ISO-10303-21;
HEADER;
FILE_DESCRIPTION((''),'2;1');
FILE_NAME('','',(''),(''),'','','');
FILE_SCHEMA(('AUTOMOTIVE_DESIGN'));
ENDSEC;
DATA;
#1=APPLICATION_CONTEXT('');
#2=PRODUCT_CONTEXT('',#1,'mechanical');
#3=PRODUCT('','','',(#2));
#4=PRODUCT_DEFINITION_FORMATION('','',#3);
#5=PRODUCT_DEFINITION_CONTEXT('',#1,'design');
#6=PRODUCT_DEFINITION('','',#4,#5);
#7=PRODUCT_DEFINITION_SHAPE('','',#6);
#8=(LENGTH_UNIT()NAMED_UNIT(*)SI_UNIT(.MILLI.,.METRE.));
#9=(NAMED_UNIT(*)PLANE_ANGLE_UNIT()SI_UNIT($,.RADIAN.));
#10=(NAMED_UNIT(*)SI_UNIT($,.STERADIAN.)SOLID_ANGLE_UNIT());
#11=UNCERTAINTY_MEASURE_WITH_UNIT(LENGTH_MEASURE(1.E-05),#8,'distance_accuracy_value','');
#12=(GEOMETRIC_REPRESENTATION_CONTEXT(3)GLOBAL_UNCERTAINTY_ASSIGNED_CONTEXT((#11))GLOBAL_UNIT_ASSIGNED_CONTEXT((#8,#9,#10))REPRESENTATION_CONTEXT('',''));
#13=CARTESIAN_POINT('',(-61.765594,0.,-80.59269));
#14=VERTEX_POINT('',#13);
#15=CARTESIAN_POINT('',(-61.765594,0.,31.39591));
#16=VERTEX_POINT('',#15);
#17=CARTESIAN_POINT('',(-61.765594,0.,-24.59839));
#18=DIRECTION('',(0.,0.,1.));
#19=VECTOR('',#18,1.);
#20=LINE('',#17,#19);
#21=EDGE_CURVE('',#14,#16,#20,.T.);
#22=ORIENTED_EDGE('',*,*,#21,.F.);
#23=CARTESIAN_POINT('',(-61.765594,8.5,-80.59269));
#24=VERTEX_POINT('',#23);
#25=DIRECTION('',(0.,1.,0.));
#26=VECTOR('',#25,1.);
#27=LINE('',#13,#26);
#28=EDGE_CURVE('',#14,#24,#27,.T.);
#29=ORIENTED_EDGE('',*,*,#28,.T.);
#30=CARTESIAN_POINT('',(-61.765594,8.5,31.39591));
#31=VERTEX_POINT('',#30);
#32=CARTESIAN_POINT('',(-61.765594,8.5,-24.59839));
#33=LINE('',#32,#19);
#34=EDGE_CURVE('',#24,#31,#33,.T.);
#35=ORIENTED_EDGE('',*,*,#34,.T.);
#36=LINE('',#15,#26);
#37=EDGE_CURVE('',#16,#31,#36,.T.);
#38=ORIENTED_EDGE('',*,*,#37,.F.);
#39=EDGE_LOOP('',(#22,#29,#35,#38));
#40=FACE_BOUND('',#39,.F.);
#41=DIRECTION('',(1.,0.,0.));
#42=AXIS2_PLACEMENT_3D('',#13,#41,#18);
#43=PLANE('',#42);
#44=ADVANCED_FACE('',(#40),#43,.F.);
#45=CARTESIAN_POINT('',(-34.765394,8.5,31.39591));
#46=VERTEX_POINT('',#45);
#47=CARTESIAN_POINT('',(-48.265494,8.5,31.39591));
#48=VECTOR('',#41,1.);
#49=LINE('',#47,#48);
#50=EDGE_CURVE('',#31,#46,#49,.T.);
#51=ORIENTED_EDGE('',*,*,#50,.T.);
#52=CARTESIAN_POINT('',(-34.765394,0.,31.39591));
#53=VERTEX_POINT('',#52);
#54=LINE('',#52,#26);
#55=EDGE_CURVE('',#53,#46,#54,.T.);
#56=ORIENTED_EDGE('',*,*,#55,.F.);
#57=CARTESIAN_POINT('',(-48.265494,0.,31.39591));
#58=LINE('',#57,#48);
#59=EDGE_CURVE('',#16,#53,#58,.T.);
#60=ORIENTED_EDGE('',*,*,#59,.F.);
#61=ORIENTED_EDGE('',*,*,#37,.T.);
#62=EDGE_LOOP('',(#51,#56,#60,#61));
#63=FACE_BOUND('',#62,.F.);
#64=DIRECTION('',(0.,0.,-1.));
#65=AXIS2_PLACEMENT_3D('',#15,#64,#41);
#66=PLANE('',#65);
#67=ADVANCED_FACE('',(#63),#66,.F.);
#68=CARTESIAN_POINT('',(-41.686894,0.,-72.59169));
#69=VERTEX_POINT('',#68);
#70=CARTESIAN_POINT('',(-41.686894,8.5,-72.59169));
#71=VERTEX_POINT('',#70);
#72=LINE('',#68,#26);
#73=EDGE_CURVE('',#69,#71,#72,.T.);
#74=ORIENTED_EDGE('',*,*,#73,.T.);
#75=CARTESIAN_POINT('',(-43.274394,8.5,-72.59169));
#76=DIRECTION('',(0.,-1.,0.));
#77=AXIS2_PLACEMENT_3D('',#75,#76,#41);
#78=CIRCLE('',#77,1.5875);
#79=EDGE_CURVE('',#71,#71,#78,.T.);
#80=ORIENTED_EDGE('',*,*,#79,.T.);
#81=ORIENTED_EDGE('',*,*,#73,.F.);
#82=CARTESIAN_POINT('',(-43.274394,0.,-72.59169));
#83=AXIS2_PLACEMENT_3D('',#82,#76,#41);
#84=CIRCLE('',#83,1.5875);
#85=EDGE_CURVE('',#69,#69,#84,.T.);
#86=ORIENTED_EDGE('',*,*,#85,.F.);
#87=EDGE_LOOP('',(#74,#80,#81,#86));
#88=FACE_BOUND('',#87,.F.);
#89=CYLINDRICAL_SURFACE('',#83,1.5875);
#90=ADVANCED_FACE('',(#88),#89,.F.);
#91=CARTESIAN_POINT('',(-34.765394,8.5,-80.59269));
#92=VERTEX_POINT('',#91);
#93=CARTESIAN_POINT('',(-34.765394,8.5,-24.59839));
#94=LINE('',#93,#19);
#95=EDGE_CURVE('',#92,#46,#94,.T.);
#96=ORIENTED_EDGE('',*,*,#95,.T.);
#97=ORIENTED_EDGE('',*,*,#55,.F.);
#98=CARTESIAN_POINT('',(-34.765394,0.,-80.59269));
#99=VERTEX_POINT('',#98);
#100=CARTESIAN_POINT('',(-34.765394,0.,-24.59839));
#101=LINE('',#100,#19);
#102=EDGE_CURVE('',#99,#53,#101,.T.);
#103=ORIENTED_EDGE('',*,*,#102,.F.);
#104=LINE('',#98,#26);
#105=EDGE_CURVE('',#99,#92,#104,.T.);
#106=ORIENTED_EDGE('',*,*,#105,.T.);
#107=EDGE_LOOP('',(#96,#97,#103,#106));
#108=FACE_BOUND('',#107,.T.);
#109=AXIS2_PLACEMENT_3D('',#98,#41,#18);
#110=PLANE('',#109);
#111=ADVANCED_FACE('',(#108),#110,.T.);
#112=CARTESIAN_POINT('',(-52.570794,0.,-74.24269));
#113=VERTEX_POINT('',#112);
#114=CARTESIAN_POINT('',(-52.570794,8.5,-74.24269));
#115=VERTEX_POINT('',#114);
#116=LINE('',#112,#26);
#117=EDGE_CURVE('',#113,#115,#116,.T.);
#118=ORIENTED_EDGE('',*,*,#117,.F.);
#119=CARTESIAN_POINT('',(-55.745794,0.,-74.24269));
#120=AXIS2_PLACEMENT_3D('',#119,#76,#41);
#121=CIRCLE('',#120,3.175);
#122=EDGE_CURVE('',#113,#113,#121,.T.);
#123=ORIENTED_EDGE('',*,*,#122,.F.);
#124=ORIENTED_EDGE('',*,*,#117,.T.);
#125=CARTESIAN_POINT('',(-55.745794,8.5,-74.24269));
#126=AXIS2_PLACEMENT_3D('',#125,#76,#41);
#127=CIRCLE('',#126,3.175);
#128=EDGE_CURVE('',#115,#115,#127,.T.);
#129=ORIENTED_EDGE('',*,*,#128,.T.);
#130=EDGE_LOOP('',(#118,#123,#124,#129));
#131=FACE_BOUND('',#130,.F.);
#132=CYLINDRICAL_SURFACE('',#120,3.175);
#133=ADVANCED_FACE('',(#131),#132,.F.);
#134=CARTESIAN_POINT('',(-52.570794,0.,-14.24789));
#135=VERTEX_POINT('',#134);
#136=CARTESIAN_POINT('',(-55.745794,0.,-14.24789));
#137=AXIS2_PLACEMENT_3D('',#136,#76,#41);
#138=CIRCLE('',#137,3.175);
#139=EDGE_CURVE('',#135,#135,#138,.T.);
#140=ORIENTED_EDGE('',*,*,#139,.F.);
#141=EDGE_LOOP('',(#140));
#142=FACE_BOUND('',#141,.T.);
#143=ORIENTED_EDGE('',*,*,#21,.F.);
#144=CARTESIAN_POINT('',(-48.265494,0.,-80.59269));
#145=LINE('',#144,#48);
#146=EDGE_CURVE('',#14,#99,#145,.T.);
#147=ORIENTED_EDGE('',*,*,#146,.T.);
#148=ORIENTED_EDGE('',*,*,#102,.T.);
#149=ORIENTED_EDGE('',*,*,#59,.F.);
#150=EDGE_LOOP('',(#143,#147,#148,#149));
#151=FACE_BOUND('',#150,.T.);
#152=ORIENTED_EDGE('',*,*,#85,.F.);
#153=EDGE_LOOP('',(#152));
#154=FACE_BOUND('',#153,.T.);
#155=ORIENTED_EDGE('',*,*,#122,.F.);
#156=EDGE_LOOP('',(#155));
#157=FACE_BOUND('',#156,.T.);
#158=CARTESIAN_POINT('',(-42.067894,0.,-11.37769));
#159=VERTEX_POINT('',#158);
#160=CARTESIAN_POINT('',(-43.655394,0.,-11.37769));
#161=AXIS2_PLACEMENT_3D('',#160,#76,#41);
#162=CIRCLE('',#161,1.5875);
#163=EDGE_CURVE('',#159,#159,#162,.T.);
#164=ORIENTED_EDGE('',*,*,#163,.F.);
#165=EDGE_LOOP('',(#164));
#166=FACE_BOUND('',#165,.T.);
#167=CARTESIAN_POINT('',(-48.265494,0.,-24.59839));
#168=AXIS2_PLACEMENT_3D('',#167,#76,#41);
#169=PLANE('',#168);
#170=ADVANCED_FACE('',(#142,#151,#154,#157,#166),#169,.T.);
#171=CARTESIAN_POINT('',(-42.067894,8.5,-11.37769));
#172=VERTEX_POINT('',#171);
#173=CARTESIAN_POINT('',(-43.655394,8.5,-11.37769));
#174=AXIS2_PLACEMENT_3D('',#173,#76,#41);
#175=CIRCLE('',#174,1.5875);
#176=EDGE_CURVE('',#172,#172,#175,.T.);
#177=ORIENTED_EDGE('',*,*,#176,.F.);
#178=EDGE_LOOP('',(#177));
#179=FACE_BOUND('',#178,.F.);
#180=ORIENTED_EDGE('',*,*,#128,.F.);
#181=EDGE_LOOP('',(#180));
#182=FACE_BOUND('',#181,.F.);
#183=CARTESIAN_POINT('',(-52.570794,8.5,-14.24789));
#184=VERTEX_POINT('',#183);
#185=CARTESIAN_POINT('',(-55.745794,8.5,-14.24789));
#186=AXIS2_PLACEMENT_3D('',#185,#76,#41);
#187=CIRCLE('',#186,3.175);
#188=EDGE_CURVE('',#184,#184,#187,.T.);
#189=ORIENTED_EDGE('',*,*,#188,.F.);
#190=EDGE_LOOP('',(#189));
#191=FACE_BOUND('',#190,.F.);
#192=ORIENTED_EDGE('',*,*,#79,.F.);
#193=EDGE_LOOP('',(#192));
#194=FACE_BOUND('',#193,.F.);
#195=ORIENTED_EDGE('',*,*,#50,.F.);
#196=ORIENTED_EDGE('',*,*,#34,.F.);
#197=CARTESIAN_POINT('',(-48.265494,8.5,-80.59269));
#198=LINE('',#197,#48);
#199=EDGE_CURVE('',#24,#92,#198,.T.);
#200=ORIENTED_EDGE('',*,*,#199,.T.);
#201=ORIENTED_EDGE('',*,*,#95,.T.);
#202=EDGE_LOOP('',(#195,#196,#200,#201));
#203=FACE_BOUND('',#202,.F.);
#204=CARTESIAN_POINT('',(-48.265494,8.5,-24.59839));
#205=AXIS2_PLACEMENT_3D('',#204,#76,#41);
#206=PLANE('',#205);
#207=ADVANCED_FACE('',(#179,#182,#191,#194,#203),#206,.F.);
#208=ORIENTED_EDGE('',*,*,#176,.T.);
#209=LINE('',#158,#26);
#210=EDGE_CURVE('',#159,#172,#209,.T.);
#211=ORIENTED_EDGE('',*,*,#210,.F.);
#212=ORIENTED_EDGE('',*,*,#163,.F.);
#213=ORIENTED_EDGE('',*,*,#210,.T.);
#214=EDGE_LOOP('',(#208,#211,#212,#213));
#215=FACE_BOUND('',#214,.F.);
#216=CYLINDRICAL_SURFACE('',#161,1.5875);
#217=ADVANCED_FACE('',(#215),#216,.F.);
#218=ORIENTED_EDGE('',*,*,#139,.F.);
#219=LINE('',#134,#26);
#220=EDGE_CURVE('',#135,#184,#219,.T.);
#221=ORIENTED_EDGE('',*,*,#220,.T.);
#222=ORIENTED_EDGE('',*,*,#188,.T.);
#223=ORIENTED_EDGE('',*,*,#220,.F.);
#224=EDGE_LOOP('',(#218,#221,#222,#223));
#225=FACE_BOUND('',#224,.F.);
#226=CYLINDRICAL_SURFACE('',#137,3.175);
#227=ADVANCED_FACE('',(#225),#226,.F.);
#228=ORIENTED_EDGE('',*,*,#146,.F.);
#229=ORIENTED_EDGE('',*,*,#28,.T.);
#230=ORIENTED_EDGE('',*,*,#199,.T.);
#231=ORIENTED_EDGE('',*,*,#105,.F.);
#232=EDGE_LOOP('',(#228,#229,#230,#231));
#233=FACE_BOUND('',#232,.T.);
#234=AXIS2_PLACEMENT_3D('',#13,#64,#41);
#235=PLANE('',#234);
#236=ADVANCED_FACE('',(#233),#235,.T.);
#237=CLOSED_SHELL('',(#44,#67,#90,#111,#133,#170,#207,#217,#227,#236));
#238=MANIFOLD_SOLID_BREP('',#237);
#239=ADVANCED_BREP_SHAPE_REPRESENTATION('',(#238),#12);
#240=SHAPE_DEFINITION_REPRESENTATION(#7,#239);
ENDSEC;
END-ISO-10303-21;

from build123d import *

# Parameters (mm, degrees)
F0_W     = 27.0002
F0_H     = 111.9886
F0_R     = 3.175
F0_R_2   = 1.5875
F1_DEPTH = 8.5


with BuildPart() as f1:
    # F0 (on Front) → F1 (new body)
    with BuildSketch(Plane.XZ):
        with Locations((-48.265494, -24.59839)):
            Rectangle(F0_W, F0_H)
        with Locations((-55.745794, -74.24269)):
            Circle(F0_R, mode=Mode.SUBTRACT)
        with Locations((-43.274394, -72.59169)):
            Circle(F0_R_2, mode=Mode.SUBTRACT)
        with Locations((-55.745794, -14.24789)):
            Circle(F0_R, mode=Mode.SUBTRACT)
        with Locations((-43.655394, -11.37769)):
            Circle(F0_R_2, mode=Mode.SUBTRACT)
    extrude(amount=-F1_DEPTH)


solid = f1.part
